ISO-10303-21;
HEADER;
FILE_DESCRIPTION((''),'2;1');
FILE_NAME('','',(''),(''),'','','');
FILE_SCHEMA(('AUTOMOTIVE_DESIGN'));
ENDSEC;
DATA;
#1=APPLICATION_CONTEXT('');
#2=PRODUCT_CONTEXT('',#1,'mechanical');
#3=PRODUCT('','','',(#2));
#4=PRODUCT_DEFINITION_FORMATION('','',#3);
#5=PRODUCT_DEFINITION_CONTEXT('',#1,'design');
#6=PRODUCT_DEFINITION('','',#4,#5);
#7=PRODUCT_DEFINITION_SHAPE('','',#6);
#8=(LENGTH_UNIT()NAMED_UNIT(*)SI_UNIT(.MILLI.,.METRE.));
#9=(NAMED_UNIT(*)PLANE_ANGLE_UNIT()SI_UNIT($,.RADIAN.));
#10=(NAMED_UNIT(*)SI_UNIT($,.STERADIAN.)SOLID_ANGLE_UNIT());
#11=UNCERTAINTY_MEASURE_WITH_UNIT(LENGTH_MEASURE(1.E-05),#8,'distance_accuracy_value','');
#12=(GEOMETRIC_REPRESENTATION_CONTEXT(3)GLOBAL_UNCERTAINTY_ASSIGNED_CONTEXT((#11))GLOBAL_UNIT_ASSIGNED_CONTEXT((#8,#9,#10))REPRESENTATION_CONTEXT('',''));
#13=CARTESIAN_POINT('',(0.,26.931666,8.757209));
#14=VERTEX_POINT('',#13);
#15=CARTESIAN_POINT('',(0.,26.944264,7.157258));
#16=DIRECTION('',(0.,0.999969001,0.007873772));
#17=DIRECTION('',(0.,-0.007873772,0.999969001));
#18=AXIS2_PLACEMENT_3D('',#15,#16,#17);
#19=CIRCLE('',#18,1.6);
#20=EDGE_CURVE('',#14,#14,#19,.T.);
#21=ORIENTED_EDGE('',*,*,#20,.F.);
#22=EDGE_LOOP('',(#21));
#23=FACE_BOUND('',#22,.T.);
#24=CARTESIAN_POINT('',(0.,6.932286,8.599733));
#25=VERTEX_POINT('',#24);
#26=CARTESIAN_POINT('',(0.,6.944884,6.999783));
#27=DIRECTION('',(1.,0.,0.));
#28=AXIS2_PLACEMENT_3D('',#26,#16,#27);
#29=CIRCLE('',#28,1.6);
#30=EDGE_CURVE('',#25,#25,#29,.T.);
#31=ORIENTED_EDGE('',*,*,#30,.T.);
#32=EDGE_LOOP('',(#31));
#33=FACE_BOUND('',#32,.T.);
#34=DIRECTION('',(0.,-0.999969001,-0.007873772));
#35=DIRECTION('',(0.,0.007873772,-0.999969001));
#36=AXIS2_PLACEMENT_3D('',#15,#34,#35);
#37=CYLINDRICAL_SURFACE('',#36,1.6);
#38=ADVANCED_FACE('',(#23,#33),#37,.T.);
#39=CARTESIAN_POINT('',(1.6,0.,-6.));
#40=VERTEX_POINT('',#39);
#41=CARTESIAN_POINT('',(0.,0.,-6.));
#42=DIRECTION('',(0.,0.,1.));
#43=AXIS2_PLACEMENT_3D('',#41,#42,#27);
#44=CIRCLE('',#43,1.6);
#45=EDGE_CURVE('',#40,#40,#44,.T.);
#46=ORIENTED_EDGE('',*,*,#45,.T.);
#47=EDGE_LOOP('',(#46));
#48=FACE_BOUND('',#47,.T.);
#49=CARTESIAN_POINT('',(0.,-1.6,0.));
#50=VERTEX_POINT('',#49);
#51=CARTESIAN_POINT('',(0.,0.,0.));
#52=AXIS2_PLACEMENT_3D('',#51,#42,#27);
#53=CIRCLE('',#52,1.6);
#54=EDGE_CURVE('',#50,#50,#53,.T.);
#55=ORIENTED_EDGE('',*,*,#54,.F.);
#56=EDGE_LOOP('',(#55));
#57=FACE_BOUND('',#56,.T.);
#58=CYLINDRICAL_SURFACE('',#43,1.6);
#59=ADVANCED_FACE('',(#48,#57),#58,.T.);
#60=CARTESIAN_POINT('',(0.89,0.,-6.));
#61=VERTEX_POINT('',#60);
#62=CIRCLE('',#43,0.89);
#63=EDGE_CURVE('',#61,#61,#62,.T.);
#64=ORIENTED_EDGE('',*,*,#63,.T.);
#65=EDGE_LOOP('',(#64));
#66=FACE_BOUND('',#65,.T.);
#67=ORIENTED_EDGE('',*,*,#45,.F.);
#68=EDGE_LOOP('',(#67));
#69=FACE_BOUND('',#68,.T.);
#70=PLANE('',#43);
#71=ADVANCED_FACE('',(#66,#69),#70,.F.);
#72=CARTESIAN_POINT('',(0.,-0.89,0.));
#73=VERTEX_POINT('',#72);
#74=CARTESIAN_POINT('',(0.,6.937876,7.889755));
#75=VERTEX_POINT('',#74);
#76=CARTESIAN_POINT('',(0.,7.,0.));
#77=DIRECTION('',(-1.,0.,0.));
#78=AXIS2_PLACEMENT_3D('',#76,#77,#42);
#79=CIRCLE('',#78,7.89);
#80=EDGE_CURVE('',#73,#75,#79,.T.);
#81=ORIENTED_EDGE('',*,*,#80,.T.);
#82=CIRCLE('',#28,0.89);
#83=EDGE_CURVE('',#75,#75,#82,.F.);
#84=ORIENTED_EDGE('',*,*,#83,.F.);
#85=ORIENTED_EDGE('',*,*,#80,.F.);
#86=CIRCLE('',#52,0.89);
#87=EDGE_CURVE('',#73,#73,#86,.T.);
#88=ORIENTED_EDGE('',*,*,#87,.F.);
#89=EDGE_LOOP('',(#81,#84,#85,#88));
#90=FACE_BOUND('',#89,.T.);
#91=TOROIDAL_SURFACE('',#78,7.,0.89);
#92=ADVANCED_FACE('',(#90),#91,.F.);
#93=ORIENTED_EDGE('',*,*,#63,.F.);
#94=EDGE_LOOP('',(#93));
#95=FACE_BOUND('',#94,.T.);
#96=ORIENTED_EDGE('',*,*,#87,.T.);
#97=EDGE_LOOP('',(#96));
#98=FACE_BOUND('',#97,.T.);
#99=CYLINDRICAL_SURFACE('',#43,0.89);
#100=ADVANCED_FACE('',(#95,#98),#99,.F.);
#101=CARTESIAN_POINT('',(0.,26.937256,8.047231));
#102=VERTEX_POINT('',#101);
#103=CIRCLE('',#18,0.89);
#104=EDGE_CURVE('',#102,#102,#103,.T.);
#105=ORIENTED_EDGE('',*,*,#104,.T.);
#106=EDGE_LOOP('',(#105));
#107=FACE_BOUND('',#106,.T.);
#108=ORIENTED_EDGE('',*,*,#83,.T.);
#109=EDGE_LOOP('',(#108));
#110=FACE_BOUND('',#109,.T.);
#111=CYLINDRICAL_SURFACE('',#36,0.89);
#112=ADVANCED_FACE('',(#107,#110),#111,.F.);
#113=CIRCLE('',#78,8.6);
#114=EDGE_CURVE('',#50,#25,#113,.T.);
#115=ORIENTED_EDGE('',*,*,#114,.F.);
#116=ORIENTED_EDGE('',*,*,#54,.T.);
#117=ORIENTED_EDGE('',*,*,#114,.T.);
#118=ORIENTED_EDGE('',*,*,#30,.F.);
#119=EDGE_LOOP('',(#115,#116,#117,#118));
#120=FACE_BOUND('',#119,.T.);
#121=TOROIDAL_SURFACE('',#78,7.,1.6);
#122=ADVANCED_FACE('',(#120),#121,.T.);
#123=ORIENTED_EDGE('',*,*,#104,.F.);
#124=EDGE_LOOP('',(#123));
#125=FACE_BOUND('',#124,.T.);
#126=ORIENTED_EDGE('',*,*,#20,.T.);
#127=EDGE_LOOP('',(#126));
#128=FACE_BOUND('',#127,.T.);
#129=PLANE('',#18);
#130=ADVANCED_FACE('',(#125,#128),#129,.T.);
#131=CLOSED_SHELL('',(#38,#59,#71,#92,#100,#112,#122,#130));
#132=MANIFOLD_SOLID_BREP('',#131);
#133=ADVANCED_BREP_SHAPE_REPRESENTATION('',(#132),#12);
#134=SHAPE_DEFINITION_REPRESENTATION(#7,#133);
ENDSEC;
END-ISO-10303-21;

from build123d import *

# Parameters (mm, degrees)
SKETCH1_R           = 1.6
SKETCH1_R_2         = 0.89
SKETCH1_2_R         = 1.6
SKETCH1_2_R_2       = 0.89
BOSS_EXTRUDE1_DEPTH = 6
SKETCH5_R           = 1.6
SKETCH5_R_2         = 0.89
BOSS_EXTRUDE2_DEPTH = 20


with BuildPart() as part:
    # Sweep1: sweep along a path in Sketch2
    with BuildLine(Plane(origin=(0, 0, 0), x_dir=(0, 0, -1), z_dir=(1, 0, 0))) as sweep1_path:
        ThreePointArc((0, 0), (-4.930222368, 2.030804149), (-6.99978301, 6.944883598))
    # Sketch1 → Sweep1 (sweep)
    with BuildSketch(Plane.XY):
        Circle(SKETCH1_R)
        Circle(SKETCH1_R_2, mode=Mode.SUBTRACT)
    sweep(path=sweep1_path.line)

    # Sketch1<2> → Boss-Extrude1 (add)
    with BuildSketch(Plane.XY):
        Circle(SKETCH1_2_R)
        Circle(SKETCH1_2_R_2, mode=Mode.SUBTRACT)
    extrude(amount=-BOSS_EXTRUDE1_DEPTH)

    # Sketch5 → Boss-Extrude2 (add)
    with BuildSketch(Plane(origin=(0, 6.999566026, 0.055114693), x_dir=(1, 0, 0), z_dir=(0, 0.9999690013794313, 0.007873771664404696))):
        with Locations((0, -6.944883598)):
            Circle(SKETCH5_R)
        with Locations((0, -6.944883598)):
            Circle(SKETCH5_R_2, mode=Mode.SUBTRACT)
    extrude(amount=BOSS_EXTRUDE2_DEPTH)


solid = part.part
